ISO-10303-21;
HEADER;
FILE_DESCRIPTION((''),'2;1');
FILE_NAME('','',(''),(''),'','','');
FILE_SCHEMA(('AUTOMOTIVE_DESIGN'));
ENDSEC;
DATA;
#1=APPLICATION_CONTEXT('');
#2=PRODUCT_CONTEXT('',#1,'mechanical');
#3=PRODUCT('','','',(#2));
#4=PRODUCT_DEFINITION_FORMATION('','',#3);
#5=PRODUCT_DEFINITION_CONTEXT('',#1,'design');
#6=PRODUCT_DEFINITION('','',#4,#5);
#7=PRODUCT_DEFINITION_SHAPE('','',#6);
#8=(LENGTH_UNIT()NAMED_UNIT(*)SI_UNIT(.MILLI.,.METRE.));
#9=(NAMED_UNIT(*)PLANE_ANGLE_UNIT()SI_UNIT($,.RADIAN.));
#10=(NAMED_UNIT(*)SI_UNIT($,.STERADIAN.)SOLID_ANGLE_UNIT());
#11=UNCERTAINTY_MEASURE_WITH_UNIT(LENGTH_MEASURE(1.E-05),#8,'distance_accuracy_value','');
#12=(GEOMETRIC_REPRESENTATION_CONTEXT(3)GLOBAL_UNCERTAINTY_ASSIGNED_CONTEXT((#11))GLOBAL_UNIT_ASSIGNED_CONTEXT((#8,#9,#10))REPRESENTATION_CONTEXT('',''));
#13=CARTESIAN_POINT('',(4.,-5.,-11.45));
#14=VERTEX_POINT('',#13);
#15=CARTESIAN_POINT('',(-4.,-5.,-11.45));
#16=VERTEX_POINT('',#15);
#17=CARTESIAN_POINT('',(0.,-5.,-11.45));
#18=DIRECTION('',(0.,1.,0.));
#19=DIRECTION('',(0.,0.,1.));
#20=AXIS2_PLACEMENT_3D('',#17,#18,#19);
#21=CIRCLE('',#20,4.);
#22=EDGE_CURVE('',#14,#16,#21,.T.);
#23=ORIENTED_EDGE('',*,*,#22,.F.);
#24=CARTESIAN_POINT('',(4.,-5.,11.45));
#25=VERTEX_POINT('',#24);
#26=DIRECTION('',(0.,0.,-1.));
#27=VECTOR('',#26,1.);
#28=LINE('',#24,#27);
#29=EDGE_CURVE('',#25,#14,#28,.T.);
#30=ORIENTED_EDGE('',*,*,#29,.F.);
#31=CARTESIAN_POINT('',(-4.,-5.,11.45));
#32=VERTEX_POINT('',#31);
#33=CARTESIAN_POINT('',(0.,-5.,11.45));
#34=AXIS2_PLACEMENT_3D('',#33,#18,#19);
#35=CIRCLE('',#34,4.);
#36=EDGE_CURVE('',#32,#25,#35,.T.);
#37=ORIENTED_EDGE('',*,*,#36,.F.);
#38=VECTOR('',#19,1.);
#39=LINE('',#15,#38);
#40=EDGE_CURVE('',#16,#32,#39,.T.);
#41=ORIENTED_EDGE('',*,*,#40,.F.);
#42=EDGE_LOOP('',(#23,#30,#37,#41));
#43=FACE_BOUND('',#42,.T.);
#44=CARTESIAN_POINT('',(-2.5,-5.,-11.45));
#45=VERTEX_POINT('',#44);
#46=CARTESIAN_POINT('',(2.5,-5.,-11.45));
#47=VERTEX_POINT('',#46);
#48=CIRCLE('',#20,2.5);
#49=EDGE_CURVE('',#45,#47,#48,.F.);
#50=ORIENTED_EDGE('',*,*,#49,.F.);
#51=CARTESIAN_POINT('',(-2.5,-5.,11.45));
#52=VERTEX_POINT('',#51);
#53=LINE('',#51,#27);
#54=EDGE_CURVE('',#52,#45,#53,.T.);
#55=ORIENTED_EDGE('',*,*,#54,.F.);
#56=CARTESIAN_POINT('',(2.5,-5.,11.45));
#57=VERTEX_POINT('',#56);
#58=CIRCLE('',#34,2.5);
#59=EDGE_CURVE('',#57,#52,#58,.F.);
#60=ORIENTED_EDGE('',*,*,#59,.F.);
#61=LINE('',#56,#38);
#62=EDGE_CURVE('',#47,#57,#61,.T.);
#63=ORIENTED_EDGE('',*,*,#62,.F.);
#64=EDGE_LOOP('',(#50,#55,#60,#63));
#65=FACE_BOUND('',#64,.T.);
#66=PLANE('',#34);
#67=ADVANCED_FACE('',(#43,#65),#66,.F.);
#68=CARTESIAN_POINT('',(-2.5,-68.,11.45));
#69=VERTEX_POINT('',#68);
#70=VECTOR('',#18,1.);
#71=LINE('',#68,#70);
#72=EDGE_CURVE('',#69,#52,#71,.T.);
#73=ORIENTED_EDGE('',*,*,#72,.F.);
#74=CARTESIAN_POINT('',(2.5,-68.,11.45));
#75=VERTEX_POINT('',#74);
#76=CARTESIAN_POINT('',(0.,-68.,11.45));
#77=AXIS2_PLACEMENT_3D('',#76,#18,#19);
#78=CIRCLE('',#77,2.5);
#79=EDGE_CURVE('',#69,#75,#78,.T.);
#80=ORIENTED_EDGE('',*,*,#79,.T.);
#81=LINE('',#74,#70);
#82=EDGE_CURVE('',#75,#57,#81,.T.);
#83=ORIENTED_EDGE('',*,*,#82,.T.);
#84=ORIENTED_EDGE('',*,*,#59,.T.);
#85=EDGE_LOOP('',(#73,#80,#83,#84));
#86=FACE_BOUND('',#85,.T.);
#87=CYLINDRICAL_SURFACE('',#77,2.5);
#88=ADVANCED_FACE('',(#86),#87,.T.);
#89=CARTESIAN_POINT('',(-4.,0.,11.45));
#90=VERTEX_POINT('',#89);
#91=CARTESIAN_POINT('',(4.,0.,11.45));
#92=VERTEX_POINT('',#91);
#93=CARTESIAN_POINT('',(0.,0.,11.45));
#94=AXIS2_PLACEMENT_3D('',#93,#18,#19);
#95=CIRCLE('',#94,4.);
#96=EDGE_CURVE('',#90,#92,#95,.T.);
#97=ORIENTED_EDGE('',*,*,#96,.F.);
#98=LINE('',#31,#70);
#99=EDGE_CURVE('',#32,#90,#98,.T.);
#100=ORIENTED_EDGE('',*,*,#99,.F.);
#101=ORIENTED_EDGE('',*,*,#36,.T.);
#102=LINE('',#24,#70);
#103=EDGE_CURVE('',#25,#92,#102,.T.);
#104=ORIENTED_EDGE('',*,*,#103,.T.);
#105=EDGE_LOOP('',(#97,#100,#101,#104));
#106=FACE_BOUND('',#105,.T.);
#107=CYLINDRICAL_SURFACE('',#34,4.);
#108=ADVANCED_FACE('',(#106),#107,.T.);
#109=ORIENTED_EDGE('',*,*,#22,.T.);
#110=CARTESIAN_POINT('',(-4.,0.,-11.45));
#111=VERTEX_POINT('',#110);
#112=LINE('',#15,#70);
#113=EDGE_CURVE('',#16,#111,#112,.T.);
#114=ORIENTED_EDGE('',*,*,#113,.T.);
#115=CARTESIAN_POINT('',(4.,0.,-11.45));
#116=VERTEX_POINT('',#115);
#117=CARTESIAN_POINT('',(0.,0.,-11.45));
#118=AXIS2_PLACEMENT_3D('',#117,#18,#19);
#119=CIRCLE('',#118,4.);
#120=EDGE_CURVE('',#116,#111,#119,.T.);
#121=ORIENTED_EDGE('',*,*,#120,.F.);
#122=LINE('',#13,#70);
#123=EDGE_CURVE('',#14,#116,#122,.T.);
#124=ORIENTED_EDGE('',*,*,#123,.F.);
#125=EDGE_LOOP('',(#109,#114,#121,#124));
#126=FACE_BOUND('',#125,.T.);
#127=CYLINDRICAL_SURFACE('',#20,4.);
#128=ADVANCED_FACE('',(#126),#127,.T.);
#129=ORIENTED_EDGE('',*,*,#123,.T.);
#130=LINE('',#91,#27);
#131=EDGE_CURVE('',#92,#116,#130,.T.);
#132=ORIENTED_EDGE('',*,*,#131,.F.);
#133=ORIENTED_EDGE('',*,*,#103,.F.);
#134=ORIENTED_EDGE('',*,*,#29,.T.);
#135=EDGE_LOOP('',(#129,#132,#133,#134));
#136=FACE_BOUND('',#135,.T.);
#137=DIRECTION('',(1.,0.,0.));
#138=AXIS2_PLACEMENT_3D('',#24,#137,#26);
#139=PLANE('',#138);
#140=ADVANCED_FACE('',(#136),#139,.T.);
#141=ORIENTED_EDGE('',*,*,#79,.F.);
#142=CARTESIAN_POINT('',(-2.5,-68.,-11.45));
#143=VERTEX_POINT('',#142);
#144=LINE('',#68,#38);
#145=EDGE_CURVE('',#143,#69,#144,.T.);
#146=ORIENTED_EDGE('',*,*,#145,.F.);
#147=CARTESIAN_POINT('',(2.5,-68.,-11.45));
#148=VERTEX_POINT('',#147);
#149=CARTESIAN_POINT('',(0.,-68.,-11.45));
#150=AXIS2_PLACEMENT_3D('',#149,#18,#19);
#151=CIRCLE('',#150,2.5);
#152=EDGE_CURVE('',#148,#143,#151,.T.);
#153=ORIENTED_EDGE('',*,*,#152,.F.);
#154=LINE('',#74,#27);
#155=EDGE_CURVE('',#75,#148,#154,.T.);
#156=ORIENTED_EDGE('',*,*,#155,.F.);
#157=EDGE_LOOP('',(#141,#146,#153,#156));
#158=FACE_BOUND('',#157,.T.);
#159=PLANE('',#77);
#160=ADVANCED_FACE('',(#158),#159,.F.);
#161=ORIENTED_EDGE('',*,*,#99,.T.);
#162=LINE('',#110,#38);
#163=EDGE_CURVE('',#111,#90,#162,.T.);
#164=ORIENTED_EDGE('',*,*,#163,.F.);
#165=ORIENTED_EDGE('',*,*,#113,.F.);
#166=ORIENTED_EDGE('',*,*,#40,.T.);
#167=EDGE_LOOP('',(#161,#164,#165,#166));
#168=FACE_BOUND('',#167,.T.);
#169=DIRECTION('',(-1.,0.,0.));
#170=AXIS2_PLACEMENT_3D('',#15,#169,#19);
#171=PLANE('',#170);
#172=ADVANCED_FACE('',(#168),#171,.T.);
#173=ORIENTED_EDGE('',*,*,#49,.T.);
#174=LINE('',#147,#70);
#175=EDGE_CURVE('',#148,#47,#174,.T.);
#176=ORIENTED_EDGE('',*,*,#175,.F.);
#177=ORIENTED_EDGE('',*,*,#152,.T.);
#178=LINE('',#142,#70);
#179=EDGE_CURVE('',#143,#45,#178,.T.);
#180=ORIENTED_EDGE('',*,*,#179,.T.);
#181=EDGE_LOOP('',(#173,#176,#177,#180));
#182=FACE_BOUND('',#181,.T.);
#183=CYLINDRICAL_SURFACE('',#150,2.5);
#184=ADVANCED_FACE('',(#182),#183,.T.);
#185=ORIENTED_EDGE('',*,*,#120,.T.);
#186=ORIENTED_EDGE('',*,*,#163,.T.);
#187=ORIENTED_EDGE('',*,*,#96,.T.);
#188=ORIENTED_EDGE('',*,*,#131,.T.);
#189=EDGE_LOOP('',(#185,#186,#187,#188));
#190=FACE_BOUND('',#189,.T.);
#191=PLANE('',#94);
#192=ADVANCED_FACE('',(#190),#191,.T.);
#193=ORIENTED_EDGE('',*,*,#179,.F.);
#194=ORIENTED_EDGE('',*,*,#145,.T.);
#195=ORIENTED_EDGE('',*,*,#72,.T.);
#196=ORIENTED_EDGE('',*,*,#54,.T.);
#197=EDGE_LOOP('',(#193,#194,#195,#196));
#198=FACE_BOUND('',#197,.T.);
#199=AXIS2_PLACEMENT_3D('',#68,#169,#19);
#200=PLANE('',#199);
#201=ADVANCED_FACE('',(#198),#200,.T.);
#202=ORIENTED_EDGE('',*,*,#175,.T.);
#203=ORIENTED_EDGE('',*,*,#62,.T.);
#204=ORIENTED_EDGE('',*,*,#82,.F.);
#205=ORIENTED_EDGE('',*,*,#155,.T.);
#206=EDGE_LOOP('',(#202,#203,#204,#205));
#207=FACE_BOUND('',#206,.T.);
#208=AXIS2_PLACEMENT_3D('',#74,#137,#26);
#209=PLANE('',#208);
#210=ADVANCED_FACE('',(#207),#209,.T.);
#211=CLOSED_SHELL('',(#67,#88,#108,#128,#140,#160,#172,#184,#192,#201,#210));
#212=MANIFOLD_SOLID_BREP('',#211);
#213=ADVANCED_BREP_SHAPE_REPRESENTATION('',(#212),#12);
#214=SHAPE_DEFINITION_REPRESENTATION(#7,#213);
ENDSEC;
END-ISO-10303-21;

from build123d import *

# Parameters (mm, degrees)
BOSS_EXTRUDE1_DEPTH = 68
BOSS_EXTRUDE2_DEPTH = 5


with BuildPart() as part:
    # Sketch1 → Boss-Extrude1 (new body)
    with BuildSketch(Plane(origin=(0, 0, 0), x_dir=(1, 0, 0), z_dir=(0, 1, 0))):
        with BuildLine():
            Line((-2.5, -11.45), (-2.5, 11.45))
            ThreePointArc((-2.5, 11.45), (0, 13.95), (2.5, 11.45))
            Line((2.5, 11.45), (2.5, -11.45))
            ThreePointArc((2.5, -11.45), (0, -13.95), (-2.5, -11.45))
        make_face()
    extrude(amount=-BOSS_EXTRUDE1_DEPTH)

    # Sketch2 → Boss-Extrude2 (add)
    with BuildSketch(Plane(origin=(0, 0, 0), x_dir=(1, 0, 0), z_dir=(0, 1, 0))):
        with BuildLine():
            Line((4, -11.45), (4, 11.45))
            ThreePointArc((4, 11.45), (0, 15.45), (-4, 11.45))
            Line((-4, 11.45), (-4, -11.45))
            ThreePointArc((-4, -11.45), (0, -15.45), (4, -11.45))
        make_face()
    extrude(amount=-BOSS_EXTRUDE2_DEPTH)


solid = part.part
